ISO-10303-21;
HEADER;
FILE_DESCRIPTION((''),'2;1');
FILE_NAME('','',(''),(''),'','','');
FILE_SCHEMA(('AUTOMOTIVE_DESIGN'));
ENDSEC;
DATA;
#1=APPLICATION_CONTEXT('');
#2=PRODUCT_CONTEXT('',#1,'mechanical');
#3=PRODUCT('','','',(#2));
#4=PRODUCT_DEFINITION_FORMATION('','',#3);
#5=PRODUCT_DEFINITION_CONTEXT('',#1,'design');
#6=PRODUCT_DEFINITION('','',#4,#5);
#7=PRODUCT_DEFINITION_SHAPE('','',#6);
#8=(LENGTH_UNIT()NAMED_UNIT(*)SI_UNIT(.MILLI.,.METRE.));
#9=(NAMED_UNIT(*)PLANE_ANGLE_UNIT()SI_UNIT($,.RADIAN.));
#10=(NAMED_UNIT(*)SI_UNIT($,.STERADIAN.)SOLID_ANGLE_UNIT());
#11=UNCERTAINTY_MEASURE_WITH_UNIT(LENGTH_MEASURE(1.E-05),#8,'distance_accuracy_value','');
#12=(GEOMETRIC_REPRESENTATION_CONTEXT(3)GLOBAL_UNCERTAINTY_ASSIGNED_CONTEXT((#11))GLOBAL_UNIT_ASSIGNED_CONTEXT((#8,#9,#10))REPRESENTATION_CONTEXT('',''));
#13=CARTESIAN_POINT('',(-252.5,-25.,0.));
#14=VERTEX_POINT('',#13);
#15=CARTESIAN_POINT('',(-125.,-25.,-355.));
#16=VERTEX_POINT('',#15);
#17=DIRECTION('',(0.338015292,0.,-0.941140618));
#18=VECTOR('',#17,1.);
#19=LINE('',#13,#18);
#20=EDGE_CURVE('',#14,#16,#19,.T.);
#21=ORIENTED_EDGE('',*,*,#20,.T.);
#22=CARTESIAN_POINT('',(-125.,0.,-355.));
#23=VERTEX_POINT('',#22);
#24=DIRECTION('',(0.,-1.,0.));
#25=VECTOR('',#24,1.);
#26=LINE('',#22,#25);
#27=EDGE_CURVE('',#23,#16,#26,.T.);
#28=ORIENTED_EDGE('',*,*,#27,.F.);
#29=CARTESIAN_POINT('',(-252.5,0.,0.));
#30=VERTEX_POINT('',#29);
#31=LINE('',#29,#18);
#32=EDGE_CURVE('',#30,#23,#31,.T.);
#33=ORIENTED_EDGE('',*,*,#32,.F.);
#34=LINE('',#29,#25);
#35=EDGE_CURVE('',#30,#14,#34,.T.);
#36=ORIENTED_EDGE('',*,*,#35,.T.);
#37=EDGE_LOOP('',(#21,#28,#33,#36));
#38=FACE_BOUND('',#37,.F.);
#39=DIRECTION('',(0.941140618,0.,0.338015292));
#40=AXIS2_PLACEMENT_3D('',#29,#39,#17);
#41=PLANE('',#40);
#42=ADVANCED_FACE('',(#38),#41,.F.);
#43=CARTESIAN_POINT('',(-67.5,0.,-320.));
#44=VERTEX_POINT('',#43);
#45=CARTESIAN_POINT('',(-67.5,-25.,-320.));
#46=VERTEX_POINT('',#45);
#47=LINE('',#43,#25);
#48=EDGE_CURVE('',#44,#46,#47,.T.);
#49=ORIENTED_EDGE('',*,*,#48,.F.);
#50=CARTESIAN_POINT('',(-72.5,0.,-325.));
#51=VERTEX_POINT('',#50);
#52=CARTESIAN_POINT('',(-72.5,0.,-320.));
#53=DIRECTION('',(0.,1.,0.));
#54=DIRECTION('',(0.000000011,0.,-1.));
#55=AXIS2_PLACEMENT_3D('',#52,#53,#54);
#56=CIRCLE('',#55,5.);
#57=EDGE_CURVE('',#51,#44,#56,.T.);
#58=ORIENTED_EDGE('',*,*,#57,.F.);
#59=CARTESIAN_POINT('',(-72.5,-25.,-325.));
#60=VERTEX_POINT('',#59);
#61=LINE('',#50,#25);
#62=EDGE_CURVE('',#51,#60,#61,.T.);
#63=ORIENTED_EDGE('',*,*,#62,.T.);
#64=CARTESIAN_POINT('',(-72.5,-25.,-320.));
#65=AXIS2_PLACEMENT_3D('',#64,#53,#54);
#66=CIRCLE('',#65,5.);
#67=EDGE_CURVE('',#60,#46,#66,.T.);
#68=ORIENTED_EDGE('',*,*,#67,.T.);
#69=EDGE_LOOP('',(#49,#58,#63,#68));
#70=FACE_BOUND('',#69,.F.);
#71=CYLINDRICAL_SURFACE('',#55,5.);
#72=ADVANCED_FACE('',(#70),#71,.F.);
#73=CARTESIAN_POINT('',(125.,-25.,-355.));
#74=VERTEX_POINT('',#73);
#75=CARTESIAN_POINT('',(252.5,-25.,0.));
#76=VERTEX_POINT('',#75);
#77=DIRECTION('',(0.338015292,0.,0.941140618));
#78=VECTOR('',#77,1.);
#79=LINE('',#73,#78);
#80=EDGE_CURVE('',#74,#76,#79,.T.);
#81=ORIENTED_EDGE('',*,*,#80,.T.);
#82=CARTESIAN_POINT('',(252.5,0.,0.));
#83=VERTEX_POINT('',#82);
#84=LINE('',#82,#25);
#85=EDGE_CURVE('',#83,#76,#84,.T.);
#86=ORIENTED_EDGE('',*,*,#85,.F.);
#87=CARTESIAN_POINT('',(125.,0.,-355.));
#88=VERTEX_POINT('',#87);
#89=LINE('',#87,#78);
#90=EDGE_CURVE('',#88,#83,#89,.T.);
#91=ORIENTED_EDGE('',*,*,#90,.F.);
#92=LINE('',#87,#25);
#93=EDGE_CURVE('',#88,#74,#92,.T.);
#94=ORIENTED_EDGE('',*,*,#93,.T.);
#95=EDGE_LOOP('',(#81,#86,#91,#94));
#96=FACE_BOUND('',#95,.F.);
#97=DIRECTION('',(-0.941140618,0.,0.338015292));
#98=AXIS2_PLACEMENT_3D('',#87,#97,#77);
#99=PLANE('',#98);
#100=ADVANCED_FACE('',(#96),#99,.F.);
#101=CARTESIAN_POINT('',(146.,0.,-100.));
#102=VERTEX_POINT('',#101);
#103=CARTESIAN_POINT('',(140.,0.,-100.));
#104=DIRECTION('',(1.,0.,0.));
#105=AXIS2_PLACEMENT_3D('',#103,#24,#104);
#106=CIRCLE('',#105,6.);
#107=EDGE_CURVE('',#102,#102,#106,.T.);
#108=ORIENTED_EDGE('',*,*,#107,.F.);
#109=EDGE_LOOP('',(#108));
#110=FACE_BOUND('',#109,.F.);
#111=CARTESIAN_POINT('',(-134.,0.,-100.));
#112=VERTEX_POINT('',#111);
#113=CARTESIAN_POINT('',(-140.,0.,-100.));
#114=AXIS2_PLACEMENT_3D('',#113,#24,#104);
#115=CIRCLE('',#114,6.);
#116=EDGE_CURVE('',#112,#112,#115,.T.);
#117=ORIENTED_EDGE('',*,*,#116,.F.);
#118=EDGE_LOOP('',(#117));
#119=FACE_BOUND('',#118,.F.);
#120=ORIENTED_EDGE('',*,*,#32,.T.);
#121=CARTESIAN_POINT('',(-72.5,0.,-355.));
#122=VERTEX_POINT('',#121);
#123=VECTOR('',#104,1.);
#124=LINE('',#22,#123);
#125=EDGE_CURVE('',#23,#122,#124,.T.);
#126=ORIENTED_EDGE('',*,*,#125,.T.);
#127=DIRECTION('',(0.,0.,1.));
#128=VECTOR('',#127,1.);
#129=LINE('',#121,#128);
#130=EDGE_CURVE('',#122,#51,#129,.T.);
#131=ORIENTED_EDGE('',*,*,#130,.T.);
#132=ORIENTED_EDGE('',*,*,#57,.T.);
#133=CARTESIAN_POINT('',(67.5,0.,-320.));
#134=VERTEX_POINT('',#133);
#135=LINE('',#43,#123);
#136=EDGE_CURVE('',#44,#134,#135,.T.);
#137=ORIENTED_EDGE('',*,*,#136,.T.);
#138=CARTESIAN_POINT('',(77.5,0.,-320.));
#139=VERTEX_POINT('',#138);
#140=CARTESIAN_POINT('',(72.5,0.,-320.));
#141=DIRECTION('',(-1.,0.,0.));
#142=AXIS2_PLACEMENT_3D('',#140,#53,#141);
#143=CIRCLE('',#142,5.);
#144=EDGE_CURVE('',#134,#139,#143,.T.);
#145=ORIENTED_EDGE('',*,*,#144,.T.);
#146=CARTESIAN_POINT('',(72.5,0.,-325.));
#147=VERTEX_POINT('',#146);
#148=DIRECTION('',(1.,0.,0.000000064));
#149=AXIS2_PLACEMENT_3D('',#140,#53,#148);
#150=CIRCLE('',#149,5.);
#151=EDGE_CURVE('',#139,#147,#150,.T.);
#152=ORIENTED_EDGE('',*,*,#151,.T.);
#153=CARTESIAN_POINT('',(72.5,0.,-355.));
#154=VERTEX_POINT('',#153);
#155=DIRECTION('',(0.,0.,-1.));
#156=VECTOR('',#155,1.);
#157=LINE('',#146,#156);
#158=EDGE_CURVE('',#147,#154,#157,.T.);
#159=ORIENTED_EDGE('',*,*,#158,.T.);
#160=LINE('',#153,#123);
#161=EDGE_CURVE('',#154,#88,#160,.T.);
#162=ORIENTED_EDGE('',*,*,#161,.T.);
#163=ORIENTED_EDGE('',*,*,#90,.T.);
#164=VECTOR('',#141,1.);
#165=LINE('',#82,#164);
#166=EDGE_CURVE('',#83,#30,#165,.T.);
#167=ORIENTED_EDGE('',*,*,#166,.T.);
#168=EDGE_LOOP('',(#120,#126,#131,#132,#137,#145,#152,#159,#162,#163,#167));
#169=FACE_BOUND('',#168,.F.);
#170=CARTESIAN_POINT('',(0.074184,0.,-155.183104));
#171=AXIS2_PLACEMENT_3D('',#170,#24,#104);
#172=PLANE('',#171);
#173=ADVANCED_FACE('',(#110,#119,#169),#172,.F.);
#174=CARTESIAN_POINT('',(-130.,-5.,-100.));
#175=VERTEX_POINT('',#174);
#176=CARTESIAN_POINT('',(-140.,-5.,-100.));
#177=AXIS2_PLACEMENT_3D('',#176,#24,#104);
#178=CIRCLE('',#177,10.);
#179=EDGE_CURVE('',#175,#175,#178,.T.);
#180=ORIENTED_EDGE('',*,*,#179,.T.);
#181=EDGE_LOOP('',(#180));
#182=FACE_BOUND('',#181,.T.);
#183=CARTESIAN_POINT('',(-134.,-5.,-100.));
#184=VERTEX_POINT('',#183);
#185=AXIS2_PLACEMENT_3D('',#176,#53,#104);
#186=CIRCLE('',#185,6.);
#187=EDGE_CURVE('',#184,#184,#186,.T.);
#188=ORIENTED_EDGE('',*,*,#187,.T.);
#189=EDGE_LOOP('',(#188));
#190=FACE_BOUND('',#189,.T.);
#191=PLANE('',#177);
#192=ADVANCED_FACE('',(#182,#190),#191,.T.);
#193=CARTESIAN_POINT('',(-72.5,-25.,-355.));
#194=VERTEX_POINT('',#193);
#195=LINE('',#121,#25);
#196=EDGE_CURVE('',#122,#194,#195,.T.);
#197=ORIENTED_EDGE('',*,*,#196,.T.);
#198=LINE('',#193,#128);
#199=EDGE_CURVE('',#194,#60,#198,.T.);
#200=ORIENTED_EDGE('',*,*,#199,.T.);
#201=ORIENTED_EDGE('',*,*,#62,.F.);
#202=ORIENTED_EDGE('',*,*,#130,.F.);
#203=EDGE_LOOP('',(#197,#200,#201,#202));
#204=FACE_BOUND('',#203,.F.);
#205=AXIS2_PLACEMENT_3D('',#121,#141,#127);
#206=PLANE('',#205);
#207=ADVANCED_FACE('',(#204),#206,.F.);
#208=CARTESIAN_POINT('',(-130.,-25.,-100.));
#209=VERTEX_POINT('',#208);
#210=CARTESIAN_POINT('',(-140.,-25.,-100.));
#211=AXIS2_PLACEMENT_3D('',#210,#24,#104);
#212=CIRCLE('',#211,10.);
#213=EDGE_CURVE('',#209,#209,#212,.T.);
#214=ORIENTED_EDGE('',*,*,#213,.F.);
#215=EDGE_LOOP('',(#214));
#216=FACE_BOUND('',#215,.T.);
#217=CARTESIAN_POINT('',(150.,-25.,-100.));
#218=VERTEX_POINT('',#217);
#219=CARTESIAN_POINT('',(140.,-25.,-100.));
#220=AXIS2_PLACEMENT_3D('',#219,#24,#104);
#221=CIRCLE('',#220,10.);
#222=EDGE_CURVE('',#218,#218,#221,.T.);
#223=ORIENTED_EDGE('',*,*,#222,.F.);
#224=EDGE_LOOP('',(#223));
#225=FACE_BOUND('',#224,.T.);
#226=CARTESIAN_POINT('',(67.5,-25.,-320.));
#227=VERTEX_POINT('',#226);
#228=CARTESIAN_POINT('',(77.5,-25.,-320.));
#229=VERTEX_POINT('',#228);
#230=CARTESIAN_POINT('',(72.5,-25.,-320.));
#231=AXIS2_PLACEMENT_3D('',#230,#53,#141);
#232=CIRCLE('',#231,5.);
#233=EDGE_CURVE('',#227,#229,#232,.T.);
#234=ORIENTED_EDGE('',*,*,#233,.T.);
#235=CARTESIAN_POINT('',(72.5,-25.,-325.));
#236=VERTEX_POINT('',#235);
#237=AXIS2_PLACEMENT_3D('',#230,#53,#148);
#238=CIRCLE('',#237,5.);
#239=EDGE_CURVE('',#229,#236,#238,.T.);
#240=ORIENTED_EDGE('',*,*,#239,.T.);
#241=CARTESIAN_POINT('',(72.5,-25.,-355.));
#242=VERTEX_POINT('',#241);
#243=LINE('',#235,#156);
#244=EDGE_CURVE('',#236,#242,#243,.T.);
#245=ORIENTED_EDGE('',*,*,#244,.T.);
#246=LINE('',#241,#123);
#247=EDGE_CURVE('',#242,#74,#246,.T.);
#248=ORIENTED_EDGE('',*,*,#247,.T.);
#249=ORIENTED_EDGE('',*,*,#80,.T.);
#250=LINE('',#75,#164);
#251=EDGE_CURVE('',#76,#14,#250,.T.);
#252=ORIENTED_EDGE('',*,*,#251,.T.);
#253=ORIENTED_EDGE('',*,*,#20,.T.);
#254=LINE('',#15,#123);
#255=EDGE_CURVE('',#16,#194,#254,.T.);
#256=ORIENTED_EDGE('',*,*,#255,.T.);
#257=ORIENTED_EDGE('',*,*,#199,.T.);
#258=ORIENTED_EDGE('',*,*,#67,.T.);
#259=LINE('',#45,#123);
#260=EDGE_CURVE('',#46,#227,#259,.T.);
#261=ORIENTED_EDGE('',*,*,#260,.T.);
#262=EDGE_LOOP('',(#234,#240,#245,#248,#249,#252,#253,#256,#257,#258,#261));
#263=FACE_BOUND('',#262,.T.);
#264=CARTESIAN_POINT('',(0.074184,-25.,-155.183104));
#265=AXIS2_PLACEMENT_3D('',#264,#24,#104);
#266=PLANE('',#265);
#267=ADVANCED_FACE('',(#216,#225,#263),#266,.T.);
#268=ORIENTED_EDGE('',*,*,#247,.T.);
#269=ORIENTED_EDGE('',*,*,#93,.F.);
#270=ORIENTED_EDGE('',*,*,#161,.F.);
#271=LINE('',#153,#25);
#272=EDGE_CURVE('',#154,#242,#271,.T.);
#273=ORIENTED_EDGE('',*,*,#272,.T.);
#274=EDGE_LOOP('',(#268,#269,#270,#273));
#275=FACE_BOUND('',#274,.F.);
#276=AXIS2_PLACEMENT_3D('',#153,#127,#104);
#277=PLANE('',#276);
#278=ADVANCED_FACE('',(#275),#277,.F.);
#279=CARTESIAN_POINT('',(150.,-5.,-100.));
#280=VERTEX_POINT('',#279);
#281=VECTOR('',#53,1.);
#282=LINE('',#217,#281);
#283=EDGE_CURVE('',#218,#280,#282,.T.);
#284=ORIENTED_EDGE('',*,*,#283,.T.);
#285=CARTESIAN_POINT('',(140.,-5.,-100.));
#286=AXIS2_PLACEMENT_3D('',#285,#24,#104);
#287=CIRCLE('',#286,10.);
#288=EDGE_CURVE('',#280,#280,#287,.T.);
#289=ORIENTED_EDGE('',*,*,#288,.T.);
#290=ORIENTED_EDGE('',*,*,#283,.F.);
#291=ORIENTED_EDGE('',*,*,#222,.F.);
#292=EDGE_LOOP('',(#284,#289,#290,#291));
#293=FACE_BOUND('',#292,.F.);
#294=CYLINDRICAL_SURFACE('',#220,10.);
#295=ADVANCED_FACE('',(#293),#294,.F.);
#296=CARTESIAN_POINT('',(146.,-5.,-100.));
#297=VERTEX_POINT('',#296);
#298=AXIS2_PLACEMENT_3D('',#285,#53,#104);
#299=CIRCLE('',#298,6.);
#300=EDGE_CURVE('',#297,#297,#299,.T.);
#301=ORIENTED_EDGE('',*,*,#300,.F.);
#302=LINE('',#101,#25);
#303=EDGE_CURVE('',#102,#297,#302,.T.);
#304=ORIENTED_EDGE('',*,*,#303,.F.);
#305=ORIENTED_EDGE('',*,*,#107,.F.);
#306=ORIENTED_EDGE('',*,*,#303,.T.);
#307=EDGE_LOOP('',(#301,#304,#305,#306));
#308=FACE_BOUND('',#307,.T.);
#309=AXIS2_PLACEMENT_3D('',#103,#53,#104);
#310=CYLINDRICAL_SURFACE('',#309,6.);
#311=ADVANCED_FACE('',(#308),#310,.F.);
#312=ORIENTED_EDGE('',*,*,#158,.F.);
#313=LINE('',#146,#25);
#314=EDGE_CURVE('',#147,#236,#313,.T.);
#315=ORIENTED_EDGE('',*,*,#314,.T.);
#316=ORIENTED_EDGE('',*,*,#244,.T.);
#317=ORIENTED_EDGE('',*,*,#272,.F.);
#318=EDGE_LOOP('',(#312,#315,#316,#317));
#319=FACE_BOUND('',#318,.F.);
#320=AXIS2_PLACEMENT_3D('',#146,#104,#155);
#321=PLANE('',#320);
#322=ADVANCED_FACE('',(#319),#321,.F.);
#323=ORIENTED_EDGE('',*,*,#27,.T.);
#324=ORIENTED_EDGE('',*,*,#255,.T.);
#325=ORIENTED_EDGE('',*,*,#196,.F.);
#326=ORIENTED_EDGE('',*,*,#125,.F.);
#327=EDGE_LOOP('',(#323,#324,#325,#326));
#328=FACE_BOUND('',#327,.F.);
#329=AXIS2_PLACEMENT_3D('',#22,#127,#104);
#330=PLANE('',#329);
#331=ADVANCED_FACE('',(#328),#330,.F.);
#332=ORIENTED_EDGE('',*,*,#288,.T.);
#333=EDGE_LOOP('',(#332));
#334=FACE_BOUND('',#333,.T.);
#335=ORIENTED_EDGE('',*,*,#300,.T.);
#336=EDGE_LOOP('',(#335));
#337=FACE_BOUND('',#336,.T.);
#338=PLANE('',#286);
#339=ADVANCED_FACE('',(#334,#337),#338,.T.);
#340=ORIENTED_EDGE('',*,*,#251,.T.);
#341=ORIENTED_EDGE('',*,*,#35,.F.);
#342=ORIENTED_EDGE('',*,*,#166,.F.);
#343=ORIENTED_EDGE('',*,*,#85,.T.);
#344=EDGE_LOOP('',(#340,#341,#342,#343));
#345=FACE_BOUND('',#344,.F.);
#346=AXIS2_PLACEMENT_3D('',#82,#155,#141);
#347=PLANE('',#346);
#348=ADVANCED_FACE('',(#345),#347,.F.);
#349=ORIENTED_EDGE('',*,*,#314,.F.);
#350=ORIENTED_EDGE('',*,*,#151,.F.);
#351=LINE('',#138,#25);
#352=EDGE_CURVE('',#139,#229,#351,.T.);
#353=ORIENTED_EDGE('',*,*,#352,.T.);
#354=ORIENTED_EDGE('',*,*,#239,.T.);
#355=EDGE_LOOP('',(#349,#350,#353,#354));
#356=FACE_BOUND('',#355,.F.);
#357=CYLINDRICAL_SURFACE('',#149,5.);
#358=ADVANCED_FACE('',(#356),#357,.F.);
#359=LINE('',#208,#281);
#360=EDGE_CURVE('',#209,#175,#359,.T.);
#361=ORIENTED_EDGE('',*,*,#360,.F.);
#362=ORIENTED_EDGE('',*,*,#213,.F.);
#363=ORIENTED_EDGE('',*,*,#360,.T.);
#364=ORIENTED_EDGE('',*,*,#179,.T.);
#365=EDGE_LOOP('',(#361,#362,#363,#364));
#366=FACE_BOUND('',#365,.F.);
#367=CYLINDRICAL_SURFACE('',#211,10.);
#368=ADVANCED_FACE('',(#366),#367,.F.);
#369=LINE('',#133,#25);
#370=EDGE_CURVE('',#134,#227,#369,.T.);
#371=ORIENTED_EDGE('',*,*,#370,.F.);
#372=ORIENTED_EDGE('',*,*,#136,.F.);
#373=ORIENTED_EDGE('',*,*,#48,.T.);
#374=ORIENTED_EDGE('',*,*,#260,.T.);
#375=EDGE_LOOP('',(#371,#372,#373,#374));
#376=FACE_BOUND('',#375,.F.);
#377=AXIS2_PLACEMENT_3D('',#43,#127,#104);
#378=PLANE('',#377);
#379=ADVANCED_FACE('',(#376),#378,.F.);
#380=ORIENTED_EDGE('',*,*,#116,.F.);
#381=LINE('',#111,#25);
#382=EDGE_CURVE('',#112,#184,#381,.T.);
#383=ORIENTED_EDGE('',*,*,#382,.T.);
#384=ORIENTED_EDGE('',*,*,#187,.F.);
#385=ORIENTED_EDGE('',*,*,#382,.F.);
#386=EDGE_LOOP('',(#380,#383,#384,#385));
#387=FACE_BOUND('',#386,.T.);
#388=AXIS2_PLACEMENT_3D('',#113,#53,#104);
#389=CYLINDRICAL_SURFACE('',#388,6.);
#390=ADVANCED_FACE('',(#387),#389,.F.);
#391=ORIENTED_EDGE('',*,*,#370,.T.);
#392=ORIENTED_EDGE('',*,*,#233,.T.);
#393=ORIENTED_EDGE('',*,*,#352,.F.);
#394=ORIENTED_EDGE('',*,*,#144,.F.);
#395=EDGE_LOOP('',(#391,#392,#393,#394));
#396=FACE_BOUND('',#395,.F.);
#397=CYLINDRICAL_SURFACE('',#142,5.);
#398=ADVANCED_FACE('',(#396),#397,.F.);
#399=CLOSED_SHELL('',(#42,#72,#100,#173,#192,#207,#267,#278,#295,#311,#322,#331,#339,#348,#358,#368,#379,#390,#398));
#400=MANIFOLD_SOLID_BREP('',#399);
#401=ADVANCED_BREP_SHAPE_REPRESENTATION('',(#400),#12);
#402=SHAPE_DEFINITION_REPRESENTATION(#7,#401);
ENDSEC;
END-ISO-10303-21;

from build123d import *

# Parameters (mm, degrees)
F0_R     = 6
F1_DEPTH = 25
F2_R     = 10
F3_DEPTH = 20


with BuildPart() as f1:
    # F0 (on Front) → F1 (new body)
    with BuildSketch(Plane.XZ):
        with BuildLine():
            Line((-125, -355), (-72.5, -355))
            Line((-72.5, -355), (-72.5, -325))
            ThreePointArc((-72.5, -325), (-76.035534, -316.464466), (-67.5, -320))
            Line((-67.5, -320), (67.5, -320))
            ThreePointArc((67.5, -320), (72.5, -315), (77.5, -320))
            ThreePointArc((77.5, -320), (76.035534, -323.535534), (72.5, -325))
            Line((72.5, -325), (72.5, -355))
            Line((72.5, -355), (125, -355))
            Line((125, -355), (252.5, 0))
            Line((252.5, 0), (0, 0))
            Line((0, 0), (-252.5, 0))
            Line((-252.5, 0), (-125, -355))
        make_face()
        with Locations((-140, -100)):
            Circle(F0_R, mode=Mode.SUBTRACT)
        with Locations((140, -100)):
            Circle(F0_R, mode=Mode.SUBTRACT)
    extrude(amount=F1_DEPTH)

    # F2 (on face) → F3 (cut)
    with BuildSketch(Plane.XZ.offset(25)):
        with Locations((-140, -100)):
            Circle(F2_R)
        with Locations((140, -100)):
            Circle(F2_R)
    extrude(amount=-F3_DEPTH, mode=Mode.SUBTRACT)


solid = f1.part
